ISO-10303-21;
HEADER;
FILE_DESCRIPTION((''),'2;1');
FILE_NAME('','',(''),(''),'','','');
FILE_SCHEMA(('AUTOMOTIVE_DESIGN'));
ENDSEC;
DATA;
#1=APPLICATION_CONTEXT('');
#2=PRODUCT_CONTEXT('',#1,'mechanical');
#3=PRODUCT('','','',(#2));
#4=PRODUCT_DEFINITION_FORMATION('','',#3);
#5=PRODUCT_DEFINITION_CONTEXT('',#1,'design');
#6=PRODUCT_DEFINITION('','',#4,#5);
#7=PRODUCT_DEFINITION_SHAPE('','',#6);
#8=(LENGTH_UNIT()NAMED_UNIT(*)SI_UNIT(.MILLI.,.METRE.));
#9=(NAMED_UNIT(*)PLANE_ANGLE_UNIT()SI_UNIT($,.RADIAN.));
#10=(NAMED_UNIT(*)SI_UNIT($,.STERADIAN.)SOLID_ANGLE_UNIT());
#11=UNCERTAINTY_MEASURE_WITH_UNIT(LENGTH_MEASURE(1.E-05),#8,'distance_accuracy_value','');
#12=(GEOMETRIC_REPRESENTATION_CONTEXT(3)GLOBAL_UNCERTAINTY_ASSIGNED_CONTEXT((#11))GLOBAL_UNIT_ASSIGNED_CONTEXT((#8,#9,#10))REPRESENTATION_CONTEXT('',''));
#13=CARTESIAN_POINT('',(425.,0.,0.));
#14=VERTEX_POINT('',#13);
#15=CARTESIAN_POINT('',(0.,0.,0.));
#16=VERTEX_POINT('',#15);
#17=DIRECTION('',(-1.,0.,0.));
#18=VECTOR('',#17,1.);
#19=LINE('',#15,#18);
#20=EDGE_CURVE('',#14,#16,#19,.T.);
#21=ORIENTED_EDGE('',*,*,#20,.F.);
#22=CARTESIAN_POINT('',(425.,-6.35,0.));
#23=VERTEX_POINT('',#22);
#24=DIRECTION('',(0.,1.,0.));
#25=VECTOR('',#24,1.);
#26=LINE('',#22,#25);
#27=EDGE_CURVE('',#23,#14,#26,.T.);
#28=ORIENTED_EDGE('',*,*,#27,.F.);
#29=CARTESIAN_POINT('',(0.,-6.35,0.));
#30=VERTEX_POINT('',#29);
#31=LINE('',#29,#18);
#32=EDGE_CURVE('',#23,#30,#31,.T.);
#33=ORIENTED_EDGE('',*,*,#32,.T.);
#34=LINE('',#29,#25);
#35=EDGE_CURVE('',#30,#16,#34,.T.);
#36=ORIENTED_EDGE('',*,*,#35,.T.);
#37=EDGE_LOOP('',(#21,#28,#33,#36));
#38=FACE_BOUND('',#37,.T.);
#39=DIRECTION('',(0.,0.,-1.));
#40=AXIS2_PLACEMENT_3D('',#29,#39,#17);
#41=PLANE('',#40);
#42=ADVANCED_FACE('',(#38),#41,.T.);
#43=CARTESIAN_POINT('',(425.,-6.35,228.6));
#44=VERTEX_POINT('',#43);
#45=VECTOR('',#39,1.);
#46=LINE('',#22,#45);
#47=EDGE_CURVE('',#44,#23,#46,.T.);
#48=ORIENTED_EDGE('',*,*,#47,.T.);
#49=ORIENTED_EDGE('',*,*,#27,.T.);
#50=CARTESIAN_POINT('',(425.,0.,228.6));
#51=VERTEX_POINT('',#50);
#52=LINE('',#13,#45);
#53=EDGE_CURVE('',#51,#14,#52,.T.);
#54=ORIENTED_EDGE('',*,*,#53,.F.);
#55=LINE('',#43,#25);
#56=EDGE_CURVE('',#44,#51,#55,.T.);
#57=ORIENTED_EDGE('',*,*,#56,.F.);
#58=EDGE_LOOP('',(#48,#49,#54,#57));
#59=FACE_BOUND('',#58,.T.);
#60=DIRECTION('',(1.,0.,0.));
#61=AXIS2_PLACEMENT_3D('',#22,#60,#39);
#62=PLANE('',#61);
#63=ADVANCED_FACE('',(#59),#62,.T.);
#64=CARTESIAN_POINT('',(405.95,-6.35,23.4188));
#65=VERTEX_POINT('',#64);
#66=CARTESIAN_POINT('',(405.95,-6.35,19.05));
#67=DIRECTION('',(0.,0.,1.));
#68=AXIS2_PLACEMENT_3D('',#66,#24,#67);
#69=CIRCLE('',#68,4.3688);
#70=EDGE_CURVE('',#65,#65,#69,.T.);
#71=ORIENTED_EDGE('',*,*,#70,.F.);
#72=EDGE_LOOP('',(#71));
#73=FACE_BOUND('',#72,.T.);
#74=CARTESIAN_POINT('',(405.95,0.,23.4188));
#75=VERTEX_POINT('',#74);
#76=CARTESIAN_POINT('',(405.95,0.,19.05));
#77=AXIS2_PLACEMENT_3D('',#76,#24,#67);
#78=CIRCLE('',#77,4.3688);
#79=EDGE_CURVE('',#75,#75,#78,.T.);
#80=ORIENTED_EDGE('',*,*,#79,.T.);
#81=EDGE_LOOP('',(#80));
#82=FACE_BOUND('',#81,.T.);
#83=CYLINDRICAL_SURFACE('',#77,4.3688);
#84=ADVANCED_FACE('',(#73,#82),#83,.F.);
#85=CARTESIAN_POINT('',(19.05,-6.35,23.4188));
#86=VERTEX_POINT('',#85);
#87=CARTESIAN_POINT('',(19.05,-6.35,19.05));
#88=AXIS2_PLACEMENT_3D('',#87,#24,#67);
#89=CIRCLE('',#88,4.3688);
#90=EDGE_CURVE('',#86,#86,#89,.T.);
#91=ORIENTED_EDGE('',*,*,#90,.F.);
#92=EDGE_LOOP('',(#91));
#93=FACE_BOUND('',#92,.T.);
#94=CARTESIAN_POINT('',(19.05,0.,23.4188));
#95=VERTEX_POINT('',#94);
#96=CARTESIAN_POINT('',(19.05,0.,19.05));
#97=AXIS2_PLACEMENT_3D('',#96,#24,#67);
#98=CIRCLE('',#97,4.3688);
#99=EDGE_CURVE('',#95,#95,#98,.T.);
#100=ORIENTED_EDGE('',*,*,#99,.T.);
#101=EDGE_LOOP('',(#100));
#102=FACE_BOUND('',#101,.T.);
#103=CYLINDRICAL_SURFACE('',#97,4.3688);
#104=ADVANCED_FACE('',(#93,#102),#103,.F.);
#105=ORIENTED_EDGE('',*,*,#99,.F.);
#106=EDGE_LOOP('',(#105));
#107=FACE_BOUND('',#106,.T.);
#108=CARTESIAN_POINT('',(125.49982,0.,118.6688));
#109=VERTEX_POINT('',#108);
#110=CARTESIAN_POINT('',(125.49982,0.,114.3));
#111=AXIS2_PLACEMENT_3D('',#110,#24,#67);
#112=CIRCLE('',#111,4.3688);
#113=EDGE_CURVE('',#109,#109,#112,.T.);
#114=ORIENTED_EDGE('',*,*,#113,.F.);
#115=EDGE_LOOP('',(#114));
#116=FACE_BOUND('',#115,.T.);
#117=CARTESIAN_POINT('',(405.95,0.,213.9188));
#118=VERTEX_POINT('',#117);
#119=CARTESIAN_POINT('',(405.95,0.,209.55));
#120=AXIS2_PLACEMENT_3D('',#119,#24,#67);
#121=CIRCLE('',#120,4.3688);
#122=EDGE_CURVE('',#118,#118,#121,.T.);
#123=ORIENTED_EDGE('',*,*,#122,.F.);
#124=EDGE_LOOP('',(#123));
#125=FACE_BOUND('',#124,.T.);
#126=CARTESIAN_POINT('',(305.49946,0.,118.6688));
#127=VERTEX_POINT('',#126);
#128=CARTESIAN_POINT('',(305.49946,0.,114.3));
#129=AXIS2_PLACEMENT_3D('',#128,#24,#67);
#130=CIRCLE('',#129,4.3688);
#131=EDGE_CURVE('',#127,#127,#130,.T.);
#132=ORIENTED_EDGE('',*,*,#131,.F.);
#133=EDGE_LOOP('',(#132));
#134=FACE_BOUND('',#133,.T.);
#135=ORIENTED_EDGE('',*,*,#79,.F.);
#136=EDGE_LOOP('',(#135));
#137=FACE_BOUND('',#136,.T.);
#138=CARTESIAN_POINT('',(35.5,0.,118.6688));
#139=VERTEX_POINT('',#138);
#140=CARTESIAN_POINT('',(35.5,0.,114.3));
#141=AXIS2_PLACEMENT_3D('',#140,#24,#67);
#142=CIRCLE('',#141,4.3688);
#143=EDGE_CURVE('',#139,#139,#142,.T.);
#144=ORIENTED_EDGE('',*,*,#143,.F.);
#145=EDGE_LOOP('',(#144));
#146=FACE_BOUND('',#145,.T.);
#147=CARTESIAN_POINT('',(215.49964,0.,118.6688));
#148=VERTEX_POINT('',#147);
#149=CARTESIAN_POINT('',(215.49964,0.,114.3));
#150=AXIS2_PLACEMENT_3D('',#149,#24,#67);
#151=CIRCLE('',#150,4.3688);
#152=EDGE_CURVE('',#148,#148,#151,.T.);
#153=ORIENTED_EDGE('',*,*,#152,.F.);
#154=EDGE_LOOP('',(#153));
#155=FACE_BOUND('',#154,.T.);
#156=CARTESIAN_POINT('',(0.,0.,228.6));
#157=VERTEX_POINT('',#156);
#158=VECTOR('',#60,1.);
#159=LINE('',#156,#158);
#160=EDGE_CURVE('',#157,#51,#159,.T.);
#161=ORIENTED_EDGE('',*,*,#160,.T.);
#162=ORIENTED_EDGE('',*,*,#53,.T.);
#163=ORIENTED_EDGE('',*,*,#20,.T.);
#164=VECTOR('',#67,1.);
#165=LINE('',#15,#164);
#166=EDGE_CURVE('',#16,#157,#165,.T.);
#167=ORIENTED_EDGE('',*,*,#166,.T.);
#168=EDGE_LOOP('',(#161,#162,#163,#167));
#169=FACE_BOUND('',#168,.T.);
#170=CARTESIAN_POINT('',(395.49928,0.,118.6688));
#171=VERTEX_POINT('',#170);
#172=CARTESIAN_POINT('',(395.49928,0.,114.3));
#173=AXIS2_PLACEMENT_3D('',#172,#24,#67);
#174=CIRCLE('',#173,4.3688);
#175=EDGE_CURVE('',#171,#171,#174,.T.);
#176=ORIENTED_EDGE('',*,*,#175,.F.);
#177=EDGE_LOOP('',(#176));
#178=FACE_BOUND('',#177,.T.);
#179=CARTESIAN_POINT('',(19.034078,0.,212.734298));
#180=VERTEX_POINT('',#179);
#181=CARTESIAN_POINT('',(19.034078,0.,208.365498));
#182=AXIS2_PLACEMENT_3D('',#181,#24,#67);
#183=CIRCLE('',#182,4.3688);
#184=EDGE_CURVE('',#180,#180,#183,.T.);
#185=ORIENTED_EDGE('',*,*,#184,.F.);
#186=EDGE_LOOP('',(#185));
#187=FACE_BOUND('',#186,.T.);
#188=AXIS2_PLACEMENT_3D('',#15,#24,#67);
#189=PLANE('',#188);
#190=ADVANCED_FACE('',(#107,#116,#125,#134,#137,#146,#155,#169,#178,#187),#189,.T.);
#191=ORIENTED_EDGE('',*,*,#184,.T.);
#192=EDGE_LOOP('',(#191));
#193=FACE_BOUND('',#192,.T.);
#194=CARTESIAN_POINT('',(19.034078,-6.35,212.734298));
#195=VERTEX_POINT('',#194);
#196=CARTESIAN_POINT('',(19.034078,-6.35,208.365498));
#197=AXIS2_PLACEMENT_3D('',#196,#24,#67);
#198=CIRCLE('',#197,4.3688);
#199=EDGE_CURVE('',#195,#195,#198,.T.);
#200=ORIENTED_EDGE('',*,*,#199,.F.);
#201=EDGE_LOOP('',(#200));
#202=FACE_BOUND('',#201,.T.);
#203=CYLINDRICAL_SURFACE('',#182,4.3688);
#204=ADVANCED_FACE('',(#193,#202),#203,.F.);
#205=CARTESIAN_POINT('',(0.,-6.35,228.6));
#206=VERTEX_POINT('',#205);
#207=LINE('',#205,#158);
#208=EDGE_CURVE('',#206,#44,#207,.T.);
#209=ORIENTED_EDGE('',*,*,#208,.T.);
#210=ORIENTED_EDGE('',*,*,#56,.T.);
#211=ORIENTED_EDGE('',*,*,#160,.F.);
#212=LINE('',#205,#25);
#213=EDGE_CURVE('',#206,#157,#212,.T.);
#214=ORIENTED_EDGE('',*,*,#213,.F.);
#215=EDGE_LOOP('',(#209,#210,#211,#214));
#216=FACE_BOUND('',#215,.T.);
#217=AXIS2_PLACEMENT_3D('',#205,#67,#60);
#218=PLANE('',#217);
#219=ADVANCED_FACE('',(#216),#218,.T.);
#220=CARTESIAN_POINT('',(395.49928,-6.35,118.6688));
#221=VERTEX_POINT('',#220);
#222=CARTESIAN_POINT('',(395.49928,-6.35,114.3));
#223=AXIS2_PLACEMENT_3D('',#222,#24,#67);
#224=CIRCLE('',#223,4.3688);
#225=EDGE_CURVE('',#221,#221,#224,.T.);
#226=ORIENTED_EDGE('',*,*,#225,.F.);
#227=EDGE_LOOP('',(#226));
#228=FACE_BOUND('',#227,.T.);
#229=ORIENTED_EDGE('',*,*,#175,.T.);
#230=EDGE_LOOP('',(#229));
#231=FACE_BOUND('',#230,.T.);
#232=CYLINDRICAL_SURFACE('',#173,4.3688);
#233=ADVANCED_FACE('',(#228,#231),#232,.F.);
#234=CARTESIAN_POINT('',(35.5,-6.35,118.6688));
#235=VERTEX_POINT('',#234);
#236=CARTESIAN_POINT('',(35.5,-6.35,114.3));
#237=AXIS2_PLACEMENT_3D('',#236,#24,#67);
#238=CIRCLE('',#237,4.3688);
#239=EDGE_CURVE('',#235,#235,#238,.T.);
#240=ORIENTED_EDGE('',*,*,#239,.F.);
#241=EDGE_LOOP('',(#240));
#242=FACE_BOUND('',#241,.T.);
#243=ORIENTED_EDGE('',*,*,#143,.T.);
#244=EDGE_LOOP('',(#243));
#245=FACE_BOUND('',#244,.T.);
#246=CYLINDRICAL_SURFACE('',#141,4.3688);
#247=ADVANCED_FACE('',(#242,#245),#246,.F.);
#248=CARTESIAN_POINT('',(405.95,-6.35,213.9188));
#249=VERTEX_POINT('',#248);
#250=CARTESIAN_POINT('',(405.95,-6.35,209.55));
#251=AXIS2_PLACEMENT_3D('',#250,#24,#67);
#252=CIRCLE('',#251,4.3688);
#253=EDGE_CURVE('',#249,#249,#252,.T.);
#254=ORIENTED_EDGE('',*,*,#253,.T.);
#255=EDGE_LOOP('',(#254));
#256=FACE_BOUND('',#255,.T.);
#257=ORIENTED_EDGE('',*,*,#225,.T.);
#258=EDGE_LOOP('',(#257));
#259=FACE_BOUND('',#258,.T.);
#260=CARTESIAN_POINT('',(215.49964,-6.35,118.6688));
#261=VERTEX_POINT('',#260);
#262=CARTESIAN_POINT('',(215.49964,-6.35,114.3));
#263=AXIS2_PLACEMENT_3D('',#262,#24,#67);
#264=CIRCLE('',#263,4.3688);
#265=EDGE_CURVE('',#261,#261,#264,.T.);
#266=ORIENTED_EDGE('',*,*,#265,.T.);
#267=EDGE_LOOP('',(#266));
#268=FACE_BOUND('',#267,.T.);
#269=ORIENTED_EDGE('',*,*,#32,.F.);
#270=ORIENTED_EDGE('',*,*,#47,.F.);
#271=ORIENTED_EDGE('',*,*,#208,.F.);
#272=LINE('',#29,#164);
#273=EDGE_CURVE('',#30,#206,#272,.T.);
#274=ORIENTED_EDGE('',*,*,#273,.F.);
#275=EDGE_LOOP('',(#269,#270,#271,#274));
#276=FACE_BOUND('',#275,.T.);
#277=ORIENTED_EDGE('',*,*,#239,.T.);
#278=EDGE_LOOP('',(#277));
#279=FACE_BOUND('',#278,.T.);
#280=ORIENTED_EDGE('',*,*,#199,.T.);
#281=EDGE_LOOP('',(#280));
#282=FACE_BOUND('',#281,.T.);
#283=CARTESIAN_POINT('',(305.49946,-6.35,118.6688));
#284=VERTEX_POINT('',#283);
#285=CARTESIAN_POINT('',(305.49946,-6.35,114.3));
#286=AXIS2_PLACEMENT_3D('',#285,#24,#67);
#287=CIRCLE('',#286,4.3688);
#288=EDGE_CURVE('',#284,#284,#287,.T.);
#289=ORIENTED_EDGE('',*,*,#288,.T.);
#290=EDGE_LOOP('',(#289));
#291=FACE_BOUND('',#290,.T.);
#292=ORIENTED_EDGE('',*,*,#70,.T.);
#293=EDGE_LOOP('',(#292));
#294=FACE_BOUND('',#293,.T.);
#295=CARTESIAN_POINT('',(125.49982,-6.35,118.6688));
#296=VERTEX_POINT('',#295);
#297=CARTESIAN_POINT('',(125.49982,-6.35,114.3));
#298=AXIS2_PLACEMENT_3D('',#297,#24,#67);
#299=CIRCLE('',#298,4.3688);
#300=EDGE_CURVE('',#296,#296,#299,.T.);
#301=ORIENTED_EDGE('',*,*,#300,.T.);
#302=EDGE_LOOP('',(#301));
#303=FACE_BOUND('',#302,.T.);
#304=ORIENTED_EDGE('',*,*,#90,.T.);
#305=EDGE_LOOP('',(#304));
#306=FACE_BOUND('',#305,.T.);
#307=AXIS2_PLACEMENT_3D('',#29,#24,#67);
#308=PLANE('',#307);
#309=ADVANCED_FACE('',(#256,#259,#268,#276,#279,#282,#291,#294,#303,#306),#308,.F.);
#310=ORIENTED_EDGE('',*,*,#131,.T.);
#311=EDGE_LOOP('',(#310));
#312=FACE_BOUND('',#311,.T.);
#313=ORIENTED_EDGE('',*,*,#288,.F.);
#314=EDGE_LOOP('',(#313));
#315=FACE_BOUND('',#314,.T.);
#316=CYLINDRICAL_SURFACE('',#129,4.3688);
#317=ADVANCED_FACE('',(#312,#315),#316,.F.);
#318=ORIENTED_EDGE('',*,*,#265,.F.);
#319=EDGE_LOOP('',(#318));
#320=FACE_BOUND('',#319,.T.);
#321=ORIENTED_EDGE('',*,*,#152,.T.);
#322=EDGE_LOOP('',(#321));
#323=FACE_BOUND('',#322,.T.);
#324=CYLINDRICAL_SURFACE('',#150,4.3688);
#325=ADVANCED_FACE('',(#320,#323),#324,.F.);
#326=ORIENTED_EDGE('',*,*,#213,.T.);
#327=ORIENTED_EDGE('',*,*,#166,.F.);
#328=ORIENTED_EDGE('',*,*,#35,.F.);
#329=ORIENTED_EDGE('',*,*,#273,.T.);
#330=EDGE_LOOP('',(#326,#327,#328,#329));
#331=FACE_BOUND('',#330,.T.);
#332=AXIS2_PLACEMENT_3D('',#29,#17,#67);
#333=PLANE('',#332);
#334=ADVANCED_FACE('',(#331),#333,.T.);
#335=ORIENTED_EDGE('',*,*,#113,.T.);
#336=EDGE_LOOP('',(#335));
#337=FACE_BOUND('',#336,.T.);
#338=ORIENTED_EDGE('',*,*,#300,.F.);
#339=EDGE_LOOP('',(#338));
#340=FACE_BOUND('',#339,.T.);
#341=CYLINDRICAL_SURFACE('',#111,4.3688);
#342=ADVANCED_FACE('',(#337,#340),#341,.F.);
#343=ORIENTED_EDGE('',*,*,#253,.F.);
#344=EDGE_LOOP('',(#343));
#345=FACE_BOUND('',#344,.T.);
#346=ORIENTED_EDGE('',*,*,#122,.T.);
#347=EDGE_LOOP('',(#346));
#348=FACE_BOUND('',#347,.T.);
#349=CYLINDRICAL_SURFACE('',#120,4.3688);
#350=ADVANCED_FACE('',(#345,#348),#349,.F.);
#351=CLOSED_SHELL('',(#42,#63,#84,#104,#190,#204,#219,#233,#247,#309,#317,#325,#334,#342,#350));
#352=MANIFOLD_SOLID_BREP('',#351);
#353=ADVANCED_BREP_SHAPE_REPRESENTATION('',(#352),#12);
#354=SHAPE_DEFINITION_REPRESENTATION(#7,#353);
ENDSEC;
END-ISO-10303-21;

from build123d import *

# Parameters (mm, degrees)
SKETCH1_W                             = 425
SKETCH1_H                             = 228.6
BASE_DEPTH                            = 6.35
HOLE_FOR_1_4_BLIND_FASTENERS_B_BS_1_D = 8.7376
HOLE_FOR_1_4_BLIND_FASTENERS_B_BS_2_D = 8.7376


with BuildPart() as part:
    # Sketch1 → Base (new body)
    with BuildSketch(Plane(origin=(0, 0, 0), x_dir=(1, 0, 0), z_dir=(0, 1, 0))):
        with Locations((212.5, -114.3)):
            Rectangle(SKETCH1_W, SKETCH1_H)
    extrude(amount=-BASE_DEPTH)

    # Hole for 1/4 Blind Fasteners (B,BS)1 (through all)
    with Locations(Plane(origin=(0, 0, 0), x_dir=(1, 0, 0), z_dir=(0, 1, 0))):
        with Locations((35.5, -114.3), (125.49982, -114.3), (215.49964, -114.3), (305.49946, -114.3), (395.49928, -114.3)):
            Hole(HOLE_FOR_1_4_BLIND_FASTENERS_B_BS_1_D / 2)

    # Hole for 1/4 Blind Fasteners (B,BS)2 (through all)
    with Locations(Plane(origin=(0, 0, 0), x_dir=(1, 0, 0), z_dir=(0, 1, 0))):
        with Locations((19.05, -19.05), (19.03407818, -208.365498456), (405.95, -19.05), (405.95, -209.55)):
            Hole(HOLE_FOR_1_4_BLIND_FASTENERS_B_BS_2_D / 2)


solid = part.part
